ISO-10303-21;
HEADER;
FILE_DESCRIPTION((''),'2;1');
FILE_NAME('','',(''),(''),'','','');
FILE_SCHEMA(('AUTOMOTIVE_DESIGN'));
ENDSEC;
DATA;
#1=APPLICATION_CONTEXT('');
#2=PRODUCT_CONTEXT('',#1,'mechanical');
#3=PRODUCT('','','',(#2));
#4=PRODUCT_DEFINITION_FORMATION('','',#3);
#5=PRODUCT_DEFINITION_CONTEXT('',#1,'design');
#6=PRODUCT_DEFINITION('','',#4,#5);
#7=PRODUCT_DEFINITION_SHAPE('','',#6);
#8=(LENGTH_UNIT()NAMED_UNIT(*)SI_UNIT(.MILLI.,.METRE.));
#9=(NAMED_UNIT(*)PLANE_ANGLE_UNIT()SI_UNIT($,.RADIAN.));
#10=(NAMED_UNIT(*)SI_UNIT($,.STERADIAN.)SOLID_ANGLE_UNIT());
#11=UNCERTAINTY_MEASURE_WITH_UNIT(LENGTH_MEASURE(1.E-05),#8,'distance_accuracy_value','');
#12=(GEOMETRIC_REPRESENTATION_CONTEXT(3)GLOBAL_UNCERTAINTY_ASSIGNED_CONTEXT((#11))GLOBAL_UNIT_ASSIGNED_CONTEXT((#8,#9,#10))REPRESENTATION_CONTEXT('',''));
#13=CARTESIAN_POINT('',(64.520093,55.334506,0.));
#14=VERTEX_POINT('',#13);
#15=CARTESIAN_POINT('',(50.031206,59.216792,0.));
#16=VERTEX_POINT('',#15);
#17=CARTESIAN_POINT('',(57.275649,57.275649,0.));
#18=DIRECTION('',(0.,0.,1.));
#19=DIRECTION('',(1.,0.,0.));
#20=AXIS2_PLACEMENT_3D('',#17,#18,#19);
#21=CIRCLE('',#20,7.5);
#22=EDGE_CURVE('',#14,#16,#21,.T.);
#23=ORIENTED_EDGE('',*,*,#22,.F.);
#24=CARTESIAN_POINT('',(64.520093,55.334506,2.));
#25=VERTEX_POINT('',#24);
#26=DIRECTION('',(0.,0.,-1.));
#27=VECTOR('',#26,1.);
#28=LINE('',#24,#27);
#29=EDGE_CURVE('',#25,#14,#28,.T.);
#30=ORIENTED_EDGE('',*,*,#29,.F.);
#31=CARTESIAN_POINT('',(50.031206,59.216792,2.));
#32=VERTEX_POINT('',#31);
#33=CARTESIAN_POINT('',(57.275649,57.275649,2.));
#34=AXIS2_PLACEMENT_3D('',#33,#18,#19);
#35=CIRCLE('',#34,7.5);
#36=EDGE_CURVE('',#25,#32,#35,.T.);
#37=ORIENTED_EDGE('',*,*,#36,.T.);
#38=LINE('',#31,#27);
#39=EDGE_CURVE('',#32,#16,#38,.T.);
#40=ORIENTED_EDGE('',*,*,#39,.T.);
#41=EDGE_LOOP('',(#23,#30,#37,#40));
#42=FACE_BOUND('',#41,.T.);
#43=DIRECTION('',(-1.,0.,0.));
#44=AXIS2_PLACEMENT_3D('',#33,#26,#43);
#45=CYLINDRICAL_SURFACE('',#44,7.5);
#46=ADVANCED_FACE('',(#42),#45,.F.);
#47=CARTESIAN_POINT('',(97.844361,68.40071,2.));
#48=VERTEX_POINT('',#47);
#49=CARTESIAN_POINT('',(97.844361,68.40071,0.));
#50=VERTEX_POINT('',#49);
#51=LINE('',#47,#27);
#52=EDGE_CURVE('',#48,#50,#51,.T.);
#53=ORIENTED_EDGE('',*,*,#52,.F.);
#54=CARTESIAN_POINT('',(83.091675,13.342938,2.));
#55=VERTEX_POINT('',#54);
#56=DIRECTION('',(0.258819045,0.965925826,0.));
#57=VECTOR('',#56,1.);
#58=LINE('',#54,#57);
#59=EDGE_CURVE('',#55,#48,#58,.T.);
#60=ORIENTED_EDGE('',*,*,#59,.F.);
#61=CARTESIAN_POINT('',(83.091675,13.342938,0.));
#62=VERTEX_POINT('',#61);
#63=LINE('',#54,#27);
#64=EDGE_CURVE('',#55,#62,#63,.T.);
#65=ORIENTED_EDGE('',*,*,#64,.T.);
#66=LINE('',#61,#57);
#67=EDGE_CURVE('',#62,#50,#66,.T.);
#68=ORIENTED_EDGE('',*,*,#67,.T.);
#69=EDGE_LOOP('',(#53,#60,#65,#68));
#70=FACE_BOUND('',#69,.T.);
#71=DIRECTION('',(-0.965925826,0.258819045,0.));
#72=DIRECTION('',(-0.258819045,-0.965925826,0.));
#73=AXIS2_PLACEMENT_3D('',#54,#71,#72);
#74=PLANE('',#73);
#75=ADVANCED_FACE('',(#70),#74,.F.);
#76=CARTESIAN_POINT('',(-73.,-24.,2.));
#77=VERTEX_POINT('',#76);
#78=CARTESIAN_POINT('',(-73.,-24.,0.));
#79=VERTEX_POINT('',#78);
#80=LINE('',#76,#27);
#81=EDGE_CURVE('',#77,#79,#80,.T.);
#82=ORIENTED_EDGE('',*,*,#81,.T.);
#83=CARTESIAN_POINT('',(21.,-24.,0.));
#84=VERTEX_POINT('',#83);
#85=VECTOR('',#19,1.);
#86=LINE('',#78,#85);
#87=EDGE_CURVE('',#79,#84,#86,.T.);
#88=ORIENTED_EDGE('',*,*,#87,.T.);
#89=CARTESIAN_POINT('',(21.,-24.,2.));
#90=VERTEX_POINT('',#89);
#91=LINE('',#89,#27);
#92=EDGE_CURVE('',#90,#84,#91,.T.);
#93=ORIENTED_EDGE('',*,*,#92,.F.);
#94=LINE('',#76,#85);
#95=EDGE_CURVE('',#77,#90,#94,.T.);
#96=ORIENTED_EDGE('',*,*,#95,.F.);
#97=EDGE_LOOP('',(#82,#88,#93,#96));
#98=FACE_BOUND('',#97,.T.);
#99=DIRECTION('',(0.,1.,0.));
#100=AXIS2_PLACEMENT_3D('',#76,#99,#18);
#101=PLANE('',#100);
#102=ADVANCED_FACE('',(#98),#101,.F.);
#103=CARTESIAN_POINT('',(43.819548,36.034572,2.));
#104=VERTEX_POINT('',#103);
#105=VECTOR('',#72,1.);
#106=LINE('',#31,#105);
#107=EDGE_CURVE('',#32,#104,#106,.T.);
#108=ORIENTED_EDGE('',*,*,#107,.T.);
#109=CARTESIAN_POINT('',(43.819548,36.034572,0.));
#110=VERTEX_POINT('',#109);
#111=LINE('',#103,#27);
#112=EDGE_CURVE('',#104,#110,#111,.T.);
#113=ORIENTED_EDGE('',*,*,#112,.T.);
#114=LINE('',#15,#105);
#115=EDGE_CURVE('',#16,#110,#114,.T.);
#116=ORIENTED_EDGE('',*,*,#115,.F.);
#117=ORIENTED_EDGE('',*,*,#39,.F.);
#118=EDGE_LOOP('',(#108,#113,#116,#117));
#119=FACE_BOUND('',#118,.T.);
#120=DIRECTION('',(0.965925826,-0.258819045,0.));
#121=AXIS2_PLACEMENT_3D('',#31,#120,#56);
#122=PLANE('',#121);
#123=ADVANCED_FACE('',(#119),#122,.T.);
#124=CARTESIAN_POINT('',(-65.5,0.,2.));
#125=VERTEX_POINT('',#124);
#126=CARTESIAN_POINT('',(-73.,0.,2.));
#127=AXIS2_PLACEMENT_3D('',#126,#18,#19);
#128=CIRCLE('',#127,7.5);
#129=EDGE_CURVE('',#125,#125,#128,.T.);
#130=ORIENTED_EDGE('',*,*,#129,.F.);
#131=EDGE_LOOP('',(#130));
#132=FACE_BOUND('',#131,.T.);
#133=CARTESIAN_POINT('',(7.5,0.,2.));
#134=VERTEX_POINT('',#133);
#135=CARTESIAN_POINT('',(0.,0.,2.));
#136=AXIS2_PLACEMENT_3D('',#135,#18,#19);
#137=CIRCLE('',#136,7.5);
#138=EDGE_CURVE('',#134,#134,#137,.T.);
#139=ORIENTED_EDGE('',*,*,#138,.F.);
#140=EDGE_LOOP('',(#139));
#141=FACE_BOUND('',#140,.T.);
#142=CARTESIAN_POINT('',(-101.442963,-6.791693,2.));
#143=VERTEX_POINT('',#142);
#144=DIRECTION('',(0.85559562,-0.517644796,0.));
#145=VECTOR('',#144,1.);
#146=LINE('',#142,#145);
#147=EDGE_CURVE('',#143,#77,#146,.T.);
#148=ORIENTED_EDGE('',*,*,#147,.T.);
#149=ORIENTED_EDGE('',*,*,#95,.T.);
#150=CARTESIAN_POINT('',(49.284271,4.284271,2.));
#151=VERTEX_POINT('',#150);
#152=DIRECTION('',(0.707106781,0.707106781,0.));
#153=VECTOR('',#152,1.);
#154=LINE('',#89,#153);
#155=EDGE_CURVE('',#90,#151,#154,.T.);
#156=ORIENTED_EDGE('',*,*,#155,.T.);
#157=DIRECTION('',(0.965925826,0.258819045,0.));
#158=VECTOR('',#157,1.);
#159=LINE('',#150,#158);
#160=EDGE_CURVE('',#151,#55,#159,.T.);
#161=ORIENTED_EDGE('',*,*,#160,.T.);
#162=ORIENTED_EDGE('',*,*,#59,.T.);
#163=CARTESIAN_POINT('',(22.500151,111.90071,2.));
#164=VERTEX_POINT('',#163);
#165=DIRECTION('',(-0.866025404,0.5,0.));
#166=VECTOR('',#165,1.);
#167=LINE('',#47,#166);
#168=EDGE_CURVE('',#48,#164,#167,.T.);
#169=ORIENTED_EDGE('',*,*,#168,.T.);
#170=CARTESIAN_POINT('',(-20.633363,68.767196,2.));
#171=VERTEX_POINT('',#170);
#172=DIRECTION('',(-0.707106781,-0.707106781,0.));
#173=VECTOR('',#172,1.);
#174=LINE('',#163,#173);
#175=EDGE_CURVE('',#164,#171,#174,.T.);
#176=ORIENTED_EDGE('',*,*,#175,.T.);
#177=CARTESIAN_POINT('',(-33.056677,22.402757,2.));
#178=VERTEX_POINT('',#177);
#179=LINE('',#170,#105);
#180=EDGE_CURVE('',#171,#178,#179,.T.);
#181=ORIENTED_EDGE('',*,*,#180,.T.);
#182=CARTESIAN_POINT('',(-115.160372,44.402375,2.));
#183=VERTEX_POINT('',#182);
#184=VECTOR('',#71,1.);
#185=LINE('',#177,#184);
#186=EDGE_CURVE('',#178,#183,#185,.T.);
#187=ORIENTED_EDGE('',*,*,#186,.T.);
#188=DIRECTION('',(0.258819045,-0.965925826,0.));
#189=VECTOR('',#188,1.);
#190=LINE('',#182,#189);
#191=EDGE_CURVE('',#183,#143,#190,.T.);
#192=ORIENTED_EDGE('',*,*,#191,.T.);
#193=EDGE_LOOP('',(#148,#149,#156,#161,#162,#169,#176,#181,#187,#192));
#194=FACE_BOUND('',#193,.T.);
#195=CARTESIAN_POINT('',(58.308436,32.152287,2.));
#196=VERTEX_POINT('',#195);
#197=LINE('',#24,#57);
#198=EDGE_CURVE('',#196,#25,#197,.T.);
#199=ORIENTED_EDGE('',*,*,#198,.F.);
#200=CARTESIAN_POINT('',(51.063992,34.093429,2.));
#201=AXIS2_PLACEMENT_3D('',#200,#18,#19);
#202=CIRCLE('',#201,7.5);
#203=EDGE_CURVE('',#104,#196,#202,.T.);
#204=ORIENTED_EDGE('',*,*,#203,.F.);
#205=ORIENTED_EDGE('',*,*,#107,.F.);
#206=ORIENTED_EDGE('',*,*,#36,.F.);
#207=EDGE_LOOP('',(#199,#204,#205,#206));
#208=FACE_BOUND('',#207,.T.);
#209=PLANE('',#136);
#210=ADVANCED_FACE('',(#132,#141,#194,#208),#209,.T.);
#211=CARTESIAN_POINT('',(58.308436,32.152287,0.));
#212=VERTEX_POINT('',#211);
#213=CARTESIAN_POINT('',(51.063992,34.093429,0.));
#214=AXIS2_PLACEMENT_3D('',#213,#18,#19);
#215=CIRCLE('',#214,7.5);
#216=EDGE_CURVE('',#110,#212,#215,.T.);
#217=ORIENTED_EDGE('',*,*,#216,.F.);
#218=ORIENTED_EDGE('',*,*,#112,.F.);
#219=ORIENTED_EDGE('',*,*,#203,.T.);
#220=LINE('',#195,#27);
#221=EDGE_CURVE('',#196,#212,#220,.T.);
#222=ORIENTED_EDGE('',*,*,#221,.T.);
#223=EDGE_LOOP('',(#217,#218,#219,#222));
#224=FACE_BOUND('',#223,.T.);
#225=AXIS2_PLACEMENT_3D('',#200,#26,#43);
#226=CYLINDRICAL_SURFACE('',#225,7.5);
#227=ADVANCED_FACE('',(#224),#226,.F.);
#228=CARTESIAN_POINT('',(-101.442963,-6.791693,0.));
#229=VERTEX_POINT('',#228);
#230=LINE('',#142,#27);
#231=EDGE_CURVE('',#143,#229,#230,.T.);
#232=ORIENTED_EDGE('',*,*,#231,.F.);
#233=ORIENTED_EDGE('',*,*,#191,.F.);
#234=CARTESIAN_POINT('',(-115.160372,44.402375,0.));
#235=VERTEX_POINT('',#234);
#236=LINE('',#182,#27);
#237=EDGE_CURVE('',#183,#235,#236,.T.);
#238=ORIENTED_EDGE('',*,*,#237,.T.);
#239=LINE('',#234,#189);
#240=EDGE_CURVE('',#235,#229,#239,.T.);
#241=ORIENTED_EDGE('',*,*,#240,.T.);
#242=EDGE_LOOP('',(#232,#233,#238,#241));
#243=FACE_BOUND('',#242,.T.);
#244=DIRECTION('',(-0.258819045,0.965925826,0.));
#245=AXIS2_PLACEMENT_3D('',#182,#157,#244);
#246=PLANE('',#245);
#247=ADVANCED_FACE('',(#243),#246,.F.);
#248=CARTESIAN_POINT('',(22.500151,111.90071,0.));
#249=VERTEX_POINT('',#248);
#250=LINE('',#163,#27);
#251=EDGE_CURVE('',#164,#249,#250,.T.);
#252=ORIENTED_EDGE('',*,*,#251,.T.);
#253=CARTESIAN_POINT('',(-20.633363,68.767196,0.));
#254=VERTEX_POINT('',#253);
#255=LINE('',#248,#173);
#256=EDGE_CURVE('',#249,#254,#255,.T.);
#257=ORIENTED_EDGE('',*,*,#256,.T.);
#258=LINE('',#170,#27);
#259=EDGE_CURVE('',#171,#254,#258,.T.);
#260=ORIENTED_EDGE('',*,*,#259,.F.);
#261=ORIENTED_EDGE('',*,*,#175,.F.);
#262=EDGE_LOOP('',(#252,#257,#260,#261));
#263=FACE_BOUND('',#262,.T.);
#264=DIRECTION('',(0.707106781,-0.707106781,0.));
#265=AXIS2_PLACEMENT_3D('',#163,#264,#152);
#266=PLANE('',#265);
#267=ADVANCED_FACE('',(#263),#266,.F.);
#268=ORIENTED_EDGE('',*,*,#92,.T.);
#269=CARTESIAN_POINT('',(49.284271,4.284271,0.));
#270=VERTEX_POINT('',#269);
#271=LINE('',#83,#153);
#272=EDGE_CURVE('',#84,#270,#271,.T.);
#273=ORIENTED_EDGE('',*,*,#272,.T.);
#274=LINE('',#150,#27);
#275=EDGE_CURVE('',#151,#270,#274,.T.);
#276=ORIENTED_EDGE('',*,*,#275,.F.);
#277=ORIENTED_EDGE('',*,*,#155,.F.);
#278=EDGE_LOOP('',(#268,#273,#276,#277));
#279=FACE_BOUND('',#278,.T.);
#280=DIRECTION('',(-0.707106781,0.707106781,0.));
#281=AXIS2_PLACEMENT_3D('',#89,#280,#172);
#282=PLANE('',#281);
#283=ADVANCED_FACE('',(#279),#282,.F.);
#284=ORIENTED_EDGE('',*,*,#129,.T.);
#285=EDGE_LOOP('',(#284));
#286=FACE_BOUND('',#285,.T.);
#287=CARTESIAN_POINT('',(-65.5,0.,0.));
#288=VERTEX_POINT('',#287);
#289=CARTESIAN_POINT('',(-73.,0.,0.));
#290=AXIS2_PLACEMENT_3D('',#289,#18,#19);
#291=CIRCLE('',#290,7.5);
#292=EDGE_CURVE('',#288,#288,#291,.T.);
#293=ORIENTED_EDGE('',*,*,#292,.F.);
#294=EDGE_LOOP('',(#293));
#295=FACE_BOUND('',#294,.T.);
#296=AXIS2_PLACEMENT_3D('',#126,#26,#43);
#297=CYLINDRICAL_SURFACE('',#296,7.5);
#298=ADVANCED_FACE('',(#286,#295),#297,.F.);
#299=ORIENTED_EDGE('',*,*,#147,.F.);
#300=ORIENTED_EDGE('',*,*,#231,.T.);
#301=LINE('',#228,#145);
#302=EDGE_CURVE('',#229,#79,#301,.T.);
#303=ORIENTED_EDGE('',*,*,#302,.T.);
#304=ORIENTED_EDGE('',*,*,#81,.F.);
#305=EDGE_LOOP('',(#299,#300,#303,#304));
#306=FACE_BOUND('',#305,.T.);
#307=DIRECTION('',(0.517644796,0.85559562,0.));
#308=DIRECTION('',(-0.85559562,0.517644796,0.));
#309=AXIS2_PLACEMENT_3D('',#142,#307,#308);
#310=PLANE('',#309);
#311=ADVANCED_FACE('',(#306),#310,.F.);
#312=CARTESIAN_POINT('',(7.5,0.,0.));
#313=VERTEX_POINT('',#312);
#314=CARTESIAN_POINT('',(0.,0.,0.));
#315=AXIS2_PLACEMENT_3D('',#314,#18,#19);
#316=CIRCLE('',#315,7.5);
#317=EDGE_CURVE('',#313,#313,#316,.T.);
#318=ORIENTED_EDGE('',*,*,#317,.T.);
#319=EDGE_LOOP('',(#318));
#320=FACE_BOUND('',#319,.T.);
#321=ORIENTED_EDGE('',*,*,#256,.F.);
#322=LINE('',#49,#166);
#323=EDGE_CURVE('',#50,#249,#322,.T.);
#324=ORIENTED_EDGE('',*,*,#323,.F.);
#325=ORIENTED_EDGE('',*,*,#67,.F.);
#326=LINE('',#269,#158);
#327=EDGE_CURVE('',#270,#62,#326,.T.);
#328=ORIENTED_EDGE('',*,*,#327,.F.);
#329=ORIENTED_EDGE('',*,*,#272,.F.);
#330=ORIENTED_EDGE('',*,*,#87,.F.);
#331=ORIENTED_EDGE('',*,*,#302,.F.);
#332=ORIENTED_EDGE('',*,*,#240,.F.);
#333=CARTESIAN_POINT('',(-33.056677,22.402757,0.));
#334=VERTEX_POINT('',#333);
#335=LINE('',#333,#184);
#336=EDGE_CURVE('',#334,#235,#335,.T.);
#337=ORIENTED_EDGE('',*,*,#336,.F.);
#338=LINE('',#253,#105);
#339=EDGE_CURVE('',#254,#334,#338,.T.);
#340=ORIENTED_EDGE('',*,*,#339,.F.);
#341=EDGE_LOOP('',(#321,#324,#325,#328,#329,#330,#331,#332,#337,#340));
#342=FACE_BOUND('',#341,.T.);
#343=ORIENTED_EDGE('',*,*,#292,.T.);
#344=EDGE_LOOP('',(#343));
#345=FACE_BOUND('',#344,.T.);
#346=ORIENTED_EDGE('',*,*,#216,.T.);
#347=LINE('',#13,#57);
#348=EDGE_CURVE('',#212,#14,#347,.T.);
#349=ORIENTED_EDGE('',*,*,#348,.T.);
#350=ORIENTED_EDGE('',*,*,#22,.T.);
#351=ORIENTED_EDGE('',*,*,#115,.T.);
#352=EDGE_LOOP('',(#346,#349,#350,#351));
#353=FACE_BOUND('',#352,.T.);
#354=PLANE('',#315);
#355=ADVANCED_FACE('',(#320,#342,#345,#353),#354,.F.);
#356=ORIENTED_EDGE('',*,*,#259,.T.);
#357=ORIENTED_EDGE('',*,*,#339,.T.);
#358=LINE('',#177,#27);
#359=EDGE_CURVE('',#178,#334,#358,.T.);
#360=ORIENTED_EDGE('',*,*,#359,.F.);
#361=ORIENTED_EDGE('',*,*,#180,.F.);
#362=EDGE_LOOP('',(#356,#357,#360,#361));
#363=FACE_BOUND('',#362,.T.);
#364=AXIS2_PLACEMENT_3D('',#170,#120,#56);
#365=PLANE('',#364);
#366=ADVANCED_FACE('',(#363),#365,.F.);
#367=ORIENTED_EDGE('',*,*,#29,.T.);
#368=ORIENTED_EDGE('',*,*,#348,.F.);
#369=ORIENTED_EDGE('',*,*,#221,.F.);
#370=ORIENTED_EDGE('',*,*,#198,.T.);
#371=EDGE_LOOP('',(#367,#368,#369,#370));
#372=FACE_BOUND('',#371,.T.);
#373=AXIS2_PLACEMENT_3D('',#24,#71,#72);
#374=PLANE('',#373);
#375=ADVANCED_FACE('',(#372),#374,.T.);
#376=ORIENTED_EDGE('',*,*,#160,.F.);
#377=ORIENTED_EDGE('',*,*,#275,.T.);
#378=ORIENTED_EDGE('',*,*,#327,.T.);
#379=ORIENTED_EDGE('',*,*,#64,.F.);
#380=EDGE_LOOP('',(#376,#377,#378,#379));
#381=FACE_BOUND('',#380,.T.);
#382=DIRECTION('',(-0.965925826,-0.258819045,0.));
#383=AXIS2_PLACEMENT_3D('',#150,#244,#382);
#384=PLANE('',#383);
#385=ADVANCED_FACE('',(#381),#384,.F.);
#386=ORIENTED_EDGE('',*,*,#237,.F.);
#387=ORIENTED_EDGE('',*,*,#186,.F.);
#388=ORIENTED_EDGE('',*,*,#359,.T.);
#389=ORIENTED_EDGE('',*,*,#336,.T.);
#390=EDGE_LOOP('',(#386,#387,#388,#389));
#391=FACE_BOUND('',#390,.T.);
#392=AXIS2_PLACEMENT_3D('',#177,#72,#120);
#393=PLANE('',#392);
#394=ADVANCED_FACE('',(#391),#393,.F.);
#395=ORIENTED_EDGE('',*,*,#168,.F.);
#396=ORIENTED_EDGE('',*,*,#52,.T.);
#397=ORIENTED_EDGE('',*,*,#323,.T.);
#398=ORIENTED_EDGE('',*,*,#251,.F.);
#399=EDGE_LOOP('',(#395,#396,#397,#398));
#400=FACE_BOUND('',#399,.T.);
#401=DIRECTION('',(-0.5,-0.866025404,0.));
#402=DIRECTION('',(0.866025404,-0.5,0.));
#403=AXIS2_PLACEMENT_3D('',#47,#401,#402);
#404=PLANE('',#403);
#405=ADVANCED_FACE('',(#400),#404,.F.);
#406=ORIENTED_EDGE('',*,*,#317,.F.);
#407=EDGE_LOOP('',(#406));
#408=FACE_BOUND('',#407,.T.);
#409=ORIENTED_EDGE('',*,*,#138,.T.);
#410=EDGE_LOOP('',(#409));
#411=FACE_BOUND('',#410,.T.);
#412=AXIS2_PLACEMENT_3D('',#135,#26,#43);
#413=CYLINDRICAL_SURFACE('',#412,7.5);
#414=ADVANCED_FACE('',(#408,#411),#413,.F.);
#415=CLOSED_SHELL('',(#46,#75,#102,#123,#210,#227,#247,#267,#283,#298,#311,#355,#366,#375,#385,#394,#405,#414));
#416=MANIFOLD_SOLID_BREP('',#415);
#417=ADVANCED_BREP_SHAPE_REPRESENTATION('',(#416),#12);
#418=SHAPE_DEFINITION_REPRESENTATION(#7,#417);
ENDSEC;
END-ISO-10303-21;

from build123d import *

# Parameters (mm, degrees)
SKETCH1_R           = 7.5
BOSS_EXTRUDE1_DEPTH = 2


with BuildPart() as part:
    # Sketch1 → Boss-Extrude1 (new body)
    with BuildSketch(Plane.XY):
        Polygon((-73, -24), (21, -24), (49.284271247, 4.284271247), (83.091675168, 13.342937826), (97.844360738, 68.400709925), (22.500150609, 111.900709925), (-20.633363043, 68.767196272), (-33.056677208, 22.40275661), (-115.160372443, 44.402375444), (-101.442963052, -6.791693349), align=None)
        Circle(SKETCH1_R, mode=Mode.SUBTRACT)
        with Locations((-73, 0)):
            Circle(SKETCH1_R, mode=Mode.SUBTRACT)
        with BuildLine():
            Line((64.520092973, 55.334506438), (58.308435891, 32.152286607))
            ThreePointArc((58.308435891, 32.152286607), (49.122849355, 26.848985748), (43.819548496, 36.034572283))
            Line((43.819548496, 36.034572283), (50.031205579, 59.216792114))
            ThreePointArc((50.031205579, 59.216792114), (59.216792114, 64.520092973), (64.520092973, 55.334506438))
        make_face(mode=Mode.SUBTRACT)
    extrude(amount=BOSS_EXTRUDE1_DEPTH)


solid = part.part
